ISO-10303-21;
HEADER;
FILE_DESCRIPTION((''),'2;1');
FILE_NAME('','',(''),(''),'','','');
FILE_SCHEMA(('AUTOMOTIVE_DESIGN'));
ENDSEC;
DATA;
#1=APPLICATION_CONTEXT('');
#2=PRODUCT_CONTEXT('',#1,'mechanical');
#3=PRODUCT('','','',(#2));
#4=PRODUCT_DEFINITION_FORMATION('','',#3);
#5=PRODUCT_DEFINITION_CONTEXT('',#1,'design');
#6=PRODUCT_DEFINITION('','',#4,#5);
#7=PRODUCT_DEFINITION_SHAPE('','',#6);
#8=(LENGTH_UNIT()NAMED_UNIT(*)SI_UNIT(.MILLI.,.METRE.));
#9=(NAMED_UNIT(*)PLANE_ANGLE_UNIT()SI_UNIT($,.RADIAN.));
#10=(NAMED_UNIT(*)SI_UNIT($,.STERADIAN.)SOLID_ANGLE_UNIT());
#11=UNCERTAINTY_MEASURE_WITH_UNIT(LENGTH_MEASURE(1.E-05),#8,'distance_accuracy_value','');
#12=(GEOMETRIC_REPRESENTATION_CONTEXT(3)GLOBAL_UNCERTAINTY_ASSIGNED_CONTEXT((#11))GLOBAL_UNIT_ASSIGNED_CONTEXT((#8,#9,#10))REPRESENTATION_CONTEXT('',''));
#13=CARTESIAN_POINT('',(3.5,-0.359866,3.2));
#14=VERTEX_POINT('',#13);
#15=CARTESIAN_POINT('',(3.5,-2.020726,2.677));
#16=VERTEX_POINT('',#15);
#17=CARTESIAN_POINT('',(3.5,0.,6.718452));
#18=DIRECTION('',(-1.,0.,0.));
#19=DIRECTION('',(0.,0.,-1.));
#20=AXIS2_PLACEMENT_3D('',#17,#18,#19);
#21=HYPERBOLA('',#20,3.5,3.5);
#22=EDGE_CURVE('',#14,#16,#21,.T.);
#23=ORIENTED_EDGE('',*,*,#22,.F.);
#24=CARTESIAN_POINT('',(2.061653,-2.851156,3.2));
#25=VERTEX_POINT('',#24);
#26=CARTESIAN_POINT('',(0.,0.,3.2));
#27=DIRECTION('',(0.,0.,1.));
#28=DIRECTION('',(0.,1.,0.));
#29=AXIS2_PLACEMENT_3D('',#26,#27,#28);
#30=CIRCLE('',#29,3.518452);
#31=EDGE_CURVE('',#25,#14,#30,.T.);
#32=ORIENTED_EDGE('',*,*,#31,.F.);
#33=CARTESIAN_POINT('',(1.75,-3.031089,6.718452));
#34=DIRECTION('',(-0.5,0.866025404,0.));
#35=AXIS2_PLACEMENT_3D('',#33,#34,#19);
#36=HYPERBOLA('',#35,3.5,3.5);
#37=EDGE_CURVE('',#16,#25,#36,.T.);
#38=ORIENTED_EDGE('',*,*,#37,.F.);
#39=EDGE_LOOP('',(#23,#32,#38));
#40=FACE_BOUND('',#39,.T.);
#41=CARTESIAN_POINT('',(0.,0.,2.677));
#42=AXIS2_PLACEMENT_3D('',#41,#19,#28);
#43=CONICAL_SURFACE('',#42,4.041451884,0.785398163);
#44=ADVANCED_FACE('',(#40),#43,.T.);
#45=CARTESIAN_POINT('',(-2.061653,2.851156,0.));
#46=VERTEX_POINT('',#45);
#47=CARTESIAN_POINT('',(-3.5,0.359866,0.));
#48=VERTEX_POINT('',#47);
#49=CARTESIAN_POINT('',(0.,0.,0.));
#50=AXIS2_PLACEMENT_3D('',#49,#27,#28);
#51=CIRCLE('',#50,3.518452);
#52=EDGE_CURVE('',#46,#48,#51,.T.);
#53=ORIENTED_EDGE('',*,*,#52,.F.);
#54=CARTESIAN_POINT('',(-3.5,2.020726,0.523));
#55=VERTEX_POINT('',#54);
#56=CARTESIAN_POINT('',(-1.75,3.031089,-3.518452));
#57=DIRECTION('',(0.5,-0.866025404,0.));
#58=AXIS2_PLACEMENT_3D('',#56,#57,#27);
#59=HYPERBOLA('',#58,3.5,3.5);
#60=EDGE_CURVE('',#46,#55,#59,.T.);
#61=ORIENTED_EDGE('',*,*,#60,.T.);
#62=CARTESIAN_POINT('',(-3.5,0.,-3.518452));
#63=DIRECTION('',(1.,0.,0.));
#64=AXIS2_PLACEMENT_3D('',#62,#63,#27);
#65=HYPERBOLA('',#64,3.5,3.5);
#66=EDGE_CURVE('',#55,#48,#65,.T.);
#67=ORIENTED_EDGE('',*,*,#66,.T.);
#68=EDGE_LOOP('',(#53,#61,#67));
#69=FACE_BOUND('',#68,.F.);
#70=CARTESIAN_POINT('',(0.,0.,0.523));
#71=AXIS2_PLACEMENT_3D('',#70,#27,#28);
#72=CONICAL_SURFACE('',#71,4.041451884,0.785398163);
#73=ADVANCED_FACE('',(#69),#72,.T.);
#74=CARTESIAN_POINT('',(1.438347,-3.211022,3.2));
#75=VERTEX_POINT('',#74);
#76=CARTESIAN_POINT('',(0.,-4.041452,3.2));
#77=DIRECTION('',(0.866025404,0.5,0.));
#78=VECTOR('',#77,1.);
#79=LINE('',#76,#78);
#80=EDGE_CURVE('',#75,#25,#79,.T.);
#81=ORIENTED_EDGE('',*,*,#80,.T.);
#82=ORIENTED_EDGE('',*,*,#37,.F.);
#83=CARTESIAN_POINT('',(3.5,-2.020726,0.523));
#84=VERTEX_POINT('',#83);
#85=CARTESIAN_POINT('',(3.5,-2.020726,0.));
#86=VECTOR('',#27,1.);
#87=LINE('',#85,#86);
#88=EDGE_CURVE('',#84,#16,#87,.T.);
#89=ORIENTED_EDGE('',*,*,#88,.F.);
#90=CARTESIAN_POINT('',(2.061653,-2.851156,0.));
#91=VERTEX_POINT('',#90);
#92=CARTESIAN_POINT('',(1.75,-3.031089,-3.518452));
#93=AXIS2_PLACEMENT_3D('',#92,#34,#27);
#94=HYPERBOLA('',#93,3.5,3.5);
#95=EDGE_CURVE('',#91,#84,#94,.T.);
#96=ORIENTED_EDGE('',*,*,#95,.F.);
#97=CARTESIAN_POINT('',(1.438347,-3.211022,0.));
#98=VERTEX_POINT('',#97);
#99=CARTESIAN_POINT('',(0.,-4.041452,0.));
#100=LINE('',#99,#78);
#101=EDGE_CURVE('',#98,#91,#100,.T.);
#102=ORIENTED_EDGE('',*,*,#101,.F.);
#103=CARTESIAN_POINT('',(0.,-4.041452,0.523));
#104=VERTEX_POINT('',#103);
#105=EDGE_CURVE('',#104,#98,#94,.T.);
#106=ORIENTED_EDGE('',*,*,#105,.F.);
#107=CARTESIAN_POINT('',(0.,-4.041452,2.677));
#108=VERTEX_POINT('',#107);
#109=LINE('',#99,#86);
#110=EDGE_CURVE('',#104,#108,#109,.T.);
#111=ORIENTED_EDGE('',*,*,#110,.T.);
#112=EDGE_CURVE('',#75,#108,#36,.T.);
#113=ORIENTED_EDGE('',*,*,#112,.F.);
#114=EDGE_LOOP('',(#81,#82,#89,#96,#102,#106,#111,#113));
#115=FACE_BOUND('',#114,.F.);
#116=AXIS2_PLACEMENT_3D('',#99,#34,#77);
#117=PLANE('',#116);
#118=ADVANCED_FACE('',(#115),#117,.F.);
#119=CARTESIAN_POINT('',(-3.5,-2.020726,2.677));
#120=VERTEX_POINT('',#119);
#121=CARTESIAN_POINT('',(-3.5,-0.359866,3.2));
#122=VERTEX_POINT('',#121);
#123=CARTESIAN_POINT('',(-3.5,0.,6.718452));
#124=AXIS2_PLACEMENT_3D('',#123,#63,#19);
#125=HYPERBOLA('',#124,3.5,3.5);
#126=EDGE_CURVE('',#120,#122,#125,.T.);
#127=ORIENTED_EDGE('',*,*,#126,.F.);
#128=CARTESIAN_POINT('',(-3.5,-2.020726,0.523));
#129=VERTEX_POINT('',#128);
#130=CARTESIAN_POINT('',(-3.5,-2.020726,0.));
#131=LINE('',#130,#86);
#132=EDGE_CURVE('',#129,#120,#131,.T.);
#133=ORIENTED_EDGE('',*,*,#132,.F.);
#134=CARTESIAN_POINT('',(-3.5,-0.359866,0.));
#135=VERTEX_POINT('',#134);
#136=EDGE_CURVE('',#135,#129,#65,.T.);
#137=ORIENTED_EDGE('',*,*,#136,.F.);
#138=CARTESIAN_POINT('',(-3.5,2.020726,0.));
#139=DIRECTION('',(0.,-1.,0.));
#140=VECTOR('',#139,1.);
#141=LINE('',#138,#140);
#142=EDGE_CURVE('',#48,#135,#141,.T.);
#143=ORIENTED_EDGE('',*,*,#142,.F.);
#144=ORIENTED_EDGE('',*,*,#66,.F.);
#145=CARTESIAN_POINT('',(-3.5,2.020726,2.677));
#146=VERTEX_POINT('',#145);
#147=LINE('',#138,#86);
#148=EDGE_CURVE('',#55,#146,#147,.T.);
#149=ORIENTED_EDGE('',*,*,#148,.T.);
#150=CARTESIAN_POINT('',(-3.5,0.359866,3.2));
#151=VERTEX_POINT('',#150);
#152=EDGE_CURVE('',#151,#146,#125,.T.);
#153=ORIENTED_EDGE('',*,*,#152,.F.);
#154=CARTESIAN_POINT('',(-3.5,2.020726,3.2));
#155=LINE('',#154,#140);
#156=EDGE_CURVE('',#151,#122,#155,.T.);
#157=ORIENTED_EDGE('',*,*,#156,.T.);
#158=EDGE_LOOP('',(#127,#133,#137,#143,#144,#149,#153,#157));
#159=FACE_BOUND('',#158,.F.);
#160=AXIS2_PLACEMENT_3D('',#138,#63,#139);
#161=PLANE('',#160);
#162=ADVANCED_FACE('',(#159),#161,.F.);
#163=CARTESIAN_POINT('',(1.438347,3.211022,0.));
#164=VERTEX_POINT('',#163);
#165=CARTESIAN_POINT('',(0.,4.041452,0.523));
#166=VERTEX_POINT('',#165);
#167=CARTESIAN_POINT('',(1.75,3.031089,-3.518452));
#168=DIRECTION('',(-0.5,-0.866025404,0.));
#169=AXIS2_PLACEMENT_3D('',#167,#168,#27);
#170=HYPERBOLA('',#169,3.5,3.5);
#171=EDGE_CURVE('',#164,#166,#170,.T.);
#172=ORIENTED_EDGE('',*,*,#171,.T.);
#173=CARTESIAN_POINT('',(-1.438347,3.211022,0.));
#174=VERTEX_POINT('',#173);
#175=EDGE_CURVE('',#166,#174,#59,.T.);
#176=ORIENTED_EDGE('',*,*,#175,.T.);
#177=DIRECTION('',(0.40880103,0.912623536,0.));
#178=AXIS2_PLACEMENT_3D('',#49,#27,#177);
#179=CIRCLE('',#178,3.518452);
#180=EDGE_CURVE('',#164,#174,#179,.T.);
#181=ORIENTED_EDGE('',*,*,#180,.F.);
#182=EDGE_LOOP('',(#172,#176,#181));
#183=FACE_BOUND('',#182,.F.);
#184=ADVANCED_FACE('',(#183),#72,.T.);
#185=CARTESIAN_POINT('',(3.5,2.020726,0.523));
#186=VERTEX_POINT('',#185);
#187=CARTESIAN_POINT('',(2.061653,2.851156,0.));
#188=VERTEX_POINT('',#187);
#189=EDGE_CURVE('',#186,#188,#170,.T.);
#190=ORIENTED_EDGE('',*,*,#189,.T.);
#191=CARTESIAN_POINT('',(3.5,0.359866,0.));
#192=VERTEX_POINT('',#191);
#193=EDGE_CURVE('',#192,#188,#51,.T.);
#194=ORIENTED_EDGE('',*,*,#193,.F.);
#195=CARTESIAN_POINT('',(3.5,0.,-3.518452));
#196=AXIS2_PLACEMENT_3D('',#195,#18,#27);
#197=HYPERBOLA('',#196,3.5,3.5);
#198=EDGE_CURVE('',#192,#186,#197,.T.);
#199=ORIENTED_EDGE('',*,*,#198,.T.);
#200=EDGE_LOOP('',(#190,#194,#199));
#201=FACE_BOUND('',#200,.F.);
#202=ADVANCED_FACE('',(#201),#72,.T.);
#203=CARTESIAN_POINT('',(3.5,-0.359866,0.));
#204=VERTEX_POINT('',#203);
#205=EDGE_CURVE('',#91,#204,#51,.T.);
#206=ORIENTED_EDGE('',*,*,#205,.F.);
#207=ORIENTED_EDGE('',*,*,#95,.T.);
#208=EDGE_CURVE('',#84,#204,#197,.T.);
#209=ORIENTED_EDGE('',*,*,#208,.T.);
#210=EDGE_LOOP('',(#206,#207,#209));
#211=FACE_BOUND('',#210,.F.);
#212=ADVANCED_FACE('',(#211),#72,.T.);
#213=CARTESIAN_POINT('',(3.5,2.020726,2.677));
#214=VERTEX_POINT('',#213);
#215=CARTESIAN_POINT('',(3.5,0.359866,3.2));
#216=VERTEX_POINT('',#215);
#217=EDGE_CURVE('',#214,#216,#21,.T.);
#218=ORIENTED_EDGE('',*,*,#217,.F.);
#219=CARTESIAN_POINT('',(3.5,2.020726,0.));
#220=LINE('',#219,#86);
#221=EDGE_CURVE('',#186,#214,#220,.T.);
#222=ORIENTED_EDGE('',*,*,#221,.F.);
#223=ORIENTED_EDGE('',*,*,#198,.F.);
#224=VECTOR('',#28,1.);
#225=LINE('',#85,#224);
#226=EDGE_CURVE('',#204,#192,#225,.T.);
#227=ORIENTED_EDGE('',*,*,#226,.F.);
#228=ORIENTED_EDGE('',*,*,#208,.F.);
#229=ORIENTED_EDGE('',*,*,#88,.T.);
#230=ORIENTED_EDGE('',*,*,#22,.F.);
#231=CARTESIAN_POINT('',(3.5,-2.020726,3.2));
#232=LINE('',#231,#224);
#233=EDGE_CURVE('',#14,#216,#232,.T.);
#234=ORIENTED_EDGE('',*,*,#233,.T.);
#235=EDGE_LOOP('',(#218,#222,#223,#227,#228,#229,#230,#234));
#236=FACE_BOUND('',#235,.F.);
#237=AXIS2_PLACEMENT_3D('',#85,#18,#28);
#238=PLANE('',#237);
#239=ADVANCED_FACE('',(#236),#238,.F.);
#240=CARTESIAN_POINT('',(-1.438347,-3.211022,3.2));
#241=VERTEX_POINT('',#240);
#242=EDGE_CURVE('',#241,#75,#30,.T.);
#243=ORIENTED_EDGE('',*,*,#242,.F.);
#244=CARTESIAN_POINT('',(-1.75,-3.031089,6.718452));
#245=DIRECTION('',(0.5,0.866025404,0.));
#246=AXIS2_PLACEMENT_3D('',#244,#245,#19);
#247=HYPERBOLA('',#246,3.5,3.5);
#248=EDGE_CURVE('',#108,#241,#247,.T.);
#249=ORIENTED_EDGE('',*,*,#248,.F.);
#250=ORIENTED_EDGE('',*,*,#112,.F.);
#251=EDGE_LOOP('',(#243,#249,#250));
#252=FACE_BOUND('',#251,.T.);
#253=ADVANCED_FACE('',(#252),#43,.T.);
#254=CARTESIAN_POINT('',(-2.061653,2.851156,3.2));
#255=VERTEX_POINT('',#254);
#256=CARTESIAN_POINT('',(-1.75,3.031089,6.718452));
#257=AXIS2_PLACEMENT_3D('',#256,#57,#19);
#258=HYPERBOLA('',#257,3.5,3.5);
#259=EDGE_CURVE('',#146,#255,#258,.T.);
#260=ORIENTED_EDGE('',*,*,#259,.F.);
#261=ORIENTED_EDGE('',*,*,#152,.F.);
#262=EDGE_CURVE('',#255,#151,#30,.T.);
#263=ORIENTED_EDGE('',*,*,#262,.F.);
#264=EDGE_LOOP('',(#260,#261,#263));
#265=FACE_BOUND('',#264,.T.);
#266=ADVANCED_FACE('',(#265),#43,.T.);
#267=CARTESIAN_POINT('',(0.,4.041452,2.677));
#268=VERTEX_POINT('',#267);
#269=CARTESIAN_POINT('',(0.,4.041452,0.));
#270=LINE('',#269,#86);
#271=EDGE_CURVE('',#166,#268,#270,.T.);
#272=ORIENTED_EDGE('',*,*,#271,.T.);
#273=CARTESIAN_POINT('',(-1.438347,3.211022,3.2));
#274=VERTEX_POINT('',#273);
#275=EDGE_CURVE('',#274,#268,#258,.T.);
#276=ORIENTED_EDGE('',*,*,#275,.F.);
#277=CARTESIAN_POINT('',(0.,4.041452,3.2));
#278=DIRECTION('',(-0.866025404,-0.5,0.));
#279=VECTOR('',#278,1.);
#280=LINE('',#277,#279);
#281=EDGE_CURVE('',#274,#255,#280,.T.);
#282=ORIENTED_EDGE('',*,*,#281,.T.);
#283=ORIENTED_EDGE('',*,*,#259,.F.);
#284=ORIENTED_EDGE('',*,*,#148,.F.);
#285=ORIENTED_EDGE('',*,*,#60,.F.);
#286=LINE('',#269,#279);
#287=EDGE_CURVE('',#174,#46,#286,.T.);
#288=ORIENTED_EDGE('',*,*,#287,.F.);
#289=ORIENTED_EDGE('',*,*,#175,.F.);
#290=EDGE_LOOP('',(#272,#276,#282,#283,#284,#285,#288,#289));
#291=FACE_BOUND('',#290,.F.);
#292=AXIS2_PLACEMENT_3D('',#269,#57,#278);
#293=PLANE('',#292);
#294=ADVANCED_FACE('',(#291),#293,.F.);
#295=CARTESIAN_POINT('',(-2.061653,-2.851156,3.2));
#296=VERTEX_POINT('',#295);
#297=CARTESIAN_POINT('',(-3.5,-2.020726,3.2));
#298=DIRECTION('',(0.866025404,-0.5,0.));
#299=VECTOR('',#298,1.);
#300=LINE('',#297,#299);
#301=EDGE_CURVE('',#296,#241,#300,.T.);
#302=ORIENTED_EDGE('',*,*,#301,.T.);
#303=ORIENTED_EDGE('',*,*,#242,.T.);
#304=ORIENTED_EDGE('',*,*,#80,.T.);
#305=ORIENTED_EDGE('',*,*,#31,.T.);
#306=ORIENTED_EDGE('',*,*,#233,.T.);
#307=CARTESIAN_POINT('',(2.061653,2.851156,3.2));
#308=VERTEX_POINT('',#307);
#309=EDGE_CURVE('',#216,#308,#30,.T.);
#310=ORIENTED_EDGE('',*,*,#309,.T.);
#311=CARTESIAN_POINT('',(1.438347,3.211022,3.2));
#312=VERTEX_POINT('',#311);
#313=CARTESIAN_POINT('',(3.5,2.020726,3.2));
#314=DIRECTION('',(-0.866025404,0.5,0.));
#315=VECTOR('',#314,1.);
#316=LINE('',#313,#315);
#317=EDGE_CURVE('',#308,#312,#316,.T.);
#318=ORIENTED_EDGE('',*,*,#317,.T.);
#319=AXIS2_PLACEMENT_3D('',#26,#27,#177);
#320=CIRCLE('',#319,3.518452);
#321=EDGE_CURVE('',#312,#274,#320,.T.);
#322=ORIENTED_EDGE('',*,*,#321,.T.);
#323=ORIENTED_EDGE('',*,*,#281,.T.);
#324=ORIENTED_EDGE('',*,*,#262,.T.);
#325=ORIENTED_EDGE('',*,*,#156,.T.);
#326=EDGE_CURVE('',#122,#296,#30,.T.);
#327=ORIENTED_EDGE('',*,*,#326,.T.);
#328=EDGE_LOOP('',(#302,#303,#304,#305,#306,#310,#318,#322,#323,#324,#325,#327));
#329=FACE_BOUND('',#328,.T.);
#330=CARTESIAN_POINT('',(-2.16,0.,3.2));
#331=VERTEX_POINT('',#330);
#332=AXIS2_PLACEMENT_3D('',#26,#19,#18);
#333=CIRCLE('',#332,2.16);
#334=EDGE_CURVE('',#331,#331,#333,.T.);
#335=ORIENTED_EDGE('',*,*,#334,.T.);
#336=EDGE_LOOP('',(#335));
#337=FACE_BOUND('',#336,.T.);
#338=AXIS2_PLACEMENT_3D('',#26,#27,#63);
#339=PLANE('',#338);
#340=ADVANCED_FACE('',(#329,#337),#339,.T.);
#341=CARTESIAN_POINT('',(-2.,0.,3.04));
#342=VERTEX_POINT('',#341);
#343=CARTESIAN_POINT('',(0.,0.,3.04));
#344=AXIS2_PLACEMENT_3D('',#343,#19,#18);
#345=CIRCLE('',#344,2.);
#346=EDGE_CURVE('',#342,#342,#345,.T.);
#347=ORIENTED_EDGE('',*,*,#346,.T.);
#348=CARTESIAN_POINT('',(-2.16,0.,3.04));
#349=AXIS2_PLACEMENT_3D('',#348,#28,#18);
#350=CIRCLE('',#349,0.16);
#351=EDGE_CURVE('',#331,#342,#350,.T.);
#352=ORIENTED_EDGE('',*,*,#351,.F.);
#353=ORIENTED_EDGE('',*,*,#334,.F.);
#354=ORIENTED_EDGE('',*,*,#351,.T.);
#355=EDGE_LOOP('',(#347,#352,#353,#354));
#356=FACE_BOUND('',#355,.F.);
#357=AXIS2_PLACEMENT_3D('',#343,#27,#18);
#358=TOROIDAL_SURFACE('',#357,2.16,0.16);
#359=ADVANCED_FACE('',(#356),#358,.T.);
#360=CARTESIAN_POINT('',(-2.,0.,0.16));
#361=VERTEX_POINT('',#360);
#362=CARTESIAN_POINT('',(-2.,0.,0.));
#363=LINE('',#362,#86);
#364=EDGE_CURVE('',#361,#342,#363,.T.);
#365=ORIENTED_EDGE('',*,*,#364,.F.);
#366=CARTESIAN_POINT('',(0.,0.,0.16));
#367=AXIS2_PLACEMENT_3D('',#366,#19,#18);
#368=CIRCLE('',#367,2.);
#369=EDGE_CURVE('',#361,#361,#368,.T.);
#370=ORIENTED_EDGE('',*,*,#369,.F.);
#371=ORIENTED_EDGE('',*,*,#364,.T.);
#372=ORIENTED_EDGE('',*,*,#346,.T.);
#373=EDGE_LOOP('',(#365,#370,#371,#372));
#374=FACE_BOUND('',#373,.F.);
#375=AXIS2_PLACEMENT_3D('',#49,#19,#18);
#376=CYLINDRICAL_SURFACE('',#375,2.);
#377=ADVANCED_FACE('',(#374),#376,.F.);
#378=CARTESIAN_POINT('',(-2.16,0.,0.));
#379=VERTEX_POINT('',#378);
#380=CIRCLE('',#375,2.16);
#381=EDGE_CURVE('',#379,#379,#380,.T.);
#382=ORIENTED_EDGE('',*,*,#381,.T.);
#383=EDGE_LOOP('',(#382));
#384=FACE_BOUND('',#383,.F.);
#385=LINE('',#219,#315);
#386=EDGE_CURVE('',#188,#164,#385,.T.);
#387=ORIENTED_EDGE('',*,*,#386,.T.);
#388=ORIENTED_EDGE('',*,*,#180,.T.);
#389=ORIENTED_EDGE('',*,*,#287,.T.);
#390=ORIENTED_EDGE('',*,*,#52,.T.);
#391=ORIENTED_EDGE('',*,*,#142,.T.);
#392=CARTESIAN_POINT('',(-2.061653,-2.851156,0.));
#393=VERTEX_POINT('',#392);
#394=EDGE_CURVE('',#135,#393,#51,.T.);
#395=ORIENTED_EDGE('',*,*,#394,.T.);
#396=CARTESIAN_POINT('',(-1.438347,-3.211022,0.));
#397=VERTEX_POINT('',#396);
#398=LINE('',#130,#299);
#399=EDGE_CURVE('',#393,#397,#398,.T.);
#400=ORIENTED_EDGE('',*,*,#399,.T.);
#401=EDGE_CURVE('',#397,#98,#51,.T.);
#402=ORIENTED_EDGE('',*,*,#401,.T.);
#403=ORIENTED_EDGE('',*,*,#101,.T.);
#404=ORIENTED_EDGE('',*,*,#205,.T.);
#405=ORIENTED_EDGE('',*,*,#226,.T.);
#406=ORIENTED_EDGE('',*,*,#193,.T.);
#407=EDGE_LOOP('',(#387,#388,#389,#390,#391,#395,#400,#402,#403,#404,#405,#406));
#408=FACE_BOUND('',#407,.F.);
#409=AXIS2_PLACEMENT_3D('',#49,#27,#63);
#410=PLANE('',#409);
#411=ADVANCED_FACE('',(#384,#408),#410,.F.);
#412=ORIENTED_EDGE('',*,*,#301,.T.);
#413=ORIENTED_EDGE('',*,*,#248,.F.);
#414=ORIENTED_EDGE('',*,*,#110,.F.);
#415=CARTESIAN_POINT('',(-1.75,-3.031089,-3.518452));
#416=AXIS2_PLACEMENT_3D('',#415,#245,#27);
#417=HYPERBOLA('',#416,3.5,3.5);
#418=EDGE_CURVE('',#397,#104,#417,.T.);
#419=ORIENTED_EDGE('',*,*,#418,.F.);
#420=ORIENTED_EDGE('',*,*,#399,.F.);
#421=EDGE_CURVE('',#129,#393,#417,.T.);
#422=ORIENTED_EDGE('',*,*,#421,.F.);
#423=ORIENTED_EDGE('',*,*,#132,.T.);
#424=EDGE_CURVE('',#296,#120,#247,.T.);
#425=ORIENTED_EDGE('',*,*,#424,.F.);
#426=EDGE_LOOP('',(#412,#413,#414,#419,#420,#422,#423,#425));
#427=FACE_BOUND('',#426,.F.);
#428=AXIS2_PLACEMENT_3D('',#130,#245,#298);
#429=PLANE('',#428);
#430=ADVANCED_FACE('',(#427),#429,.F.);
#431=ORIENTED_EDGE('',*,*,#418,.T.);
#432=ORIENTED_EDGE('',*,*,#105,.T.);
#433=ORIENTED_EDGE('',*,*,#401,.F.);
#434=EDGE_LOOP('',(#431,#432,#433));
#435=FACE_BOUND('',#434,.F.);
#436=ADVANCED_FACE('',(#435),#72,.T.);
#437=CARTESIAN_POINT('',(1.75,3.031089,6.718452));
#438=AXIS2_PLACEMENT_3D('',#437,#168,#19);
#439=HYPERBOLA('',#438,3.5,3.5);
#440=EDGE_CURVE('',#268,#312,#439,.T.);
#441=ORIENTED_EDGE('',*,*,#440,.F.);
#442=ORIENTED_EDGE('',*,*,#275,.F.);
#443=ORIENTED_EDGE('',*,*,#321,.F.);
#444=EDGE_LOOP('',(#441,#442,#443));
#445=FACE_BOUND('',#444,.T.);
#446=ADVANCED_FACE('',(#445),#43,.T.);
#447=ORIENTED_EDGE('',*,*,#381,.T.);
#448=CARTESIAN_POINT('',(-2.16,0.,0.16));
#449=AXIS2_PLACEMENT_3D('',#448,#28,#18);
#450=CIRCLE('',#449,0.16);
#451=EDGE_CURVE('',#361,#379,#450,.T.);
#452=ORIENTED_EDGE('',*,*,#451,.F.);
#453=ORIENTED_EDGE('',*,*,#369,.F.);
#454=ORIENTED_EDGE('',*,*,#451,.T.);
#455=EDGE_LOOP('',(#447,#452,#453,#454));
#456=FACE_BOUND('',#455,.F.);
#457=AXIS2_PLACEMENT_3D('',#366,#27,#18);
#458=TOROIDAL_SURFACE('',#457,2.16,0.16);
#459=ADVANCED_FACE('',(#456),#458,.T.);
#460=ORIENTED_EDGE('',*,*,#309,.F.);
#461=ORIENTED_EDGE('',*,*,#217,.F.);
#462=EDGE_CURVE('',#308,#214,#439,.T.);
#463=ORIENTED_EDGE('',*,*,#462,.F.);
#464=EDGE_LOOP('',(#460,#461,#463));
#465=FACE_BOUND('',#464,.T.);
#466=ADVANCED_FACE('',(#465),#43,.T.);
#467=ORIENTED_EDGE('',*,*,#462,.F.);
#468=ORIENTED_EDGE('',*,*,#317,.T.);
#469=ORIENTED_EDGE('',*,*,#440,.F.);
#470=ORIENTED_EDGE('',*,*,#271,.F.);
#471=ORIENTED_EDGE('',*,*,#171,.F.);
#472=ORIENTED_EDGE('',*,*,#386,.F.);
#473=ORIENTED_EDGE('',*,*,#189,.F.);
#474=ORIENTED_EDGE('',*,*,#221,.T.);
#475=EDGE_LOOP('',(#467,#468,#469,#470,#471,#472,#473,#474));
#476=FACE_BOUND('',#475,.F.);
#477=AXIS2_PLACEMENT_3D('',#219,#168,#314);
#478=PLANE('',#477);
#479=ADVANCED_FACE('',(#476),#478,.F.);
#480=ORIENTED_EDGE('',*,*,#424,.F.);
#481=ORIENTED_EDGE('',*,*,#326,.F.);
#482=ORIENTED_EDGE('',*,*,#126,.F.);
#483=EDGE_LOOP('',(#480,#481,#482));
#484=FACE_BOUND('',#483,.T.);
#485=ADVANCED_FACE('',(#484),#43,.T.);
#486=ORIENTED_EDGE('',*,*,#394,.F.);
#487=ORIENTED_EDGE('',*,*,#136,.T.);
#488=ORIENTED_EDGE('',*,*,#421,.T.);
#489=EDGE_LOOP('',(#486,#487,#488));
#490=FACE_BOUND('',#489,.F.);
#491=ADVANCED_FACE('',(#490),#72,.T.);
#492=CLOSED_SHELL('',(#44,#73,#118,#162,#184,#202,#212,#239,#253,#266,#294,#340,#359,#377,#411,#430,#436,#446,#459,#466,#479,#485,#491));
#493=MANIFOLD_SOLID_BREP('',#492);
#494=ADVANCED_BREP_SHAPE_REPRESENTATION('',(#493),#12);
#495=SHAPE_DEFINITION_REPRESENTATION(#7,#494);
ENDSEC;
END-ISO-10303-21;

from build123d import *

# Parameters (mm, degrees)
EXTRUDE_1_DEPTH     = 3.2
SKETCH_2_R          = 2
CUT_EXTRUDE_1_DEPTH = 3.2
FILLET_1_R          = 0.16


with BuildPart() as part:
    # 草图1 → 凸台-拉伸1 (new body)
    with BuildSketch(Plane.XY):
        Polygon((0, 4.041451884), (-3.5, 2.020725942), (-3.5, -2.020725942), (0, -4.041451884), (3.5, -2.020725942), (3.5, 2.020725942), align=None)
    extrude(amount=EXTRUDE_1_DEPTH)

    # 草图2 → 切除-拉伸1 (cut)
    with BuildSketch(Plane(origin=(0, 0, 0), x_dir=(-1, 0, 0), z_dir=(0, 0, -1))):
        Circle(SKETCH_2_R)
    extrude(amount=-CUT_EXTRUDE_1_DEPTH, mode=Mode.SUBTRACT)

    # 草图4 → 切除-旋转1 (revolve, cut)
    with BuildSketch(Plane(origin=(0, 0, 0), x_dir=(0, 0, -1), z_dir=(1, 0, 0))):
        Polygon((-2.677, 4.041451884), (-3.2, 3.518451884), (-3.2, 4.041451884), align=None)
        Polygon((0, 4.041451884), (-0.523, 4.041451884), (0, 3.518451884), align=None)
    revolve(axis=Axis((0, 0, 0), (0, 0, 1)), mode=Mode.SUBTRACT)

    # 圆角1
    fillet_1_edges = [part.edges().sort_by_distance(p)[0] for p in [
        (2, 0, 3.2),
        (2, 0, 0),
    ]]
    fillet(fillet_1_edges, radius=FILLET_1_R)


solid = part.part
